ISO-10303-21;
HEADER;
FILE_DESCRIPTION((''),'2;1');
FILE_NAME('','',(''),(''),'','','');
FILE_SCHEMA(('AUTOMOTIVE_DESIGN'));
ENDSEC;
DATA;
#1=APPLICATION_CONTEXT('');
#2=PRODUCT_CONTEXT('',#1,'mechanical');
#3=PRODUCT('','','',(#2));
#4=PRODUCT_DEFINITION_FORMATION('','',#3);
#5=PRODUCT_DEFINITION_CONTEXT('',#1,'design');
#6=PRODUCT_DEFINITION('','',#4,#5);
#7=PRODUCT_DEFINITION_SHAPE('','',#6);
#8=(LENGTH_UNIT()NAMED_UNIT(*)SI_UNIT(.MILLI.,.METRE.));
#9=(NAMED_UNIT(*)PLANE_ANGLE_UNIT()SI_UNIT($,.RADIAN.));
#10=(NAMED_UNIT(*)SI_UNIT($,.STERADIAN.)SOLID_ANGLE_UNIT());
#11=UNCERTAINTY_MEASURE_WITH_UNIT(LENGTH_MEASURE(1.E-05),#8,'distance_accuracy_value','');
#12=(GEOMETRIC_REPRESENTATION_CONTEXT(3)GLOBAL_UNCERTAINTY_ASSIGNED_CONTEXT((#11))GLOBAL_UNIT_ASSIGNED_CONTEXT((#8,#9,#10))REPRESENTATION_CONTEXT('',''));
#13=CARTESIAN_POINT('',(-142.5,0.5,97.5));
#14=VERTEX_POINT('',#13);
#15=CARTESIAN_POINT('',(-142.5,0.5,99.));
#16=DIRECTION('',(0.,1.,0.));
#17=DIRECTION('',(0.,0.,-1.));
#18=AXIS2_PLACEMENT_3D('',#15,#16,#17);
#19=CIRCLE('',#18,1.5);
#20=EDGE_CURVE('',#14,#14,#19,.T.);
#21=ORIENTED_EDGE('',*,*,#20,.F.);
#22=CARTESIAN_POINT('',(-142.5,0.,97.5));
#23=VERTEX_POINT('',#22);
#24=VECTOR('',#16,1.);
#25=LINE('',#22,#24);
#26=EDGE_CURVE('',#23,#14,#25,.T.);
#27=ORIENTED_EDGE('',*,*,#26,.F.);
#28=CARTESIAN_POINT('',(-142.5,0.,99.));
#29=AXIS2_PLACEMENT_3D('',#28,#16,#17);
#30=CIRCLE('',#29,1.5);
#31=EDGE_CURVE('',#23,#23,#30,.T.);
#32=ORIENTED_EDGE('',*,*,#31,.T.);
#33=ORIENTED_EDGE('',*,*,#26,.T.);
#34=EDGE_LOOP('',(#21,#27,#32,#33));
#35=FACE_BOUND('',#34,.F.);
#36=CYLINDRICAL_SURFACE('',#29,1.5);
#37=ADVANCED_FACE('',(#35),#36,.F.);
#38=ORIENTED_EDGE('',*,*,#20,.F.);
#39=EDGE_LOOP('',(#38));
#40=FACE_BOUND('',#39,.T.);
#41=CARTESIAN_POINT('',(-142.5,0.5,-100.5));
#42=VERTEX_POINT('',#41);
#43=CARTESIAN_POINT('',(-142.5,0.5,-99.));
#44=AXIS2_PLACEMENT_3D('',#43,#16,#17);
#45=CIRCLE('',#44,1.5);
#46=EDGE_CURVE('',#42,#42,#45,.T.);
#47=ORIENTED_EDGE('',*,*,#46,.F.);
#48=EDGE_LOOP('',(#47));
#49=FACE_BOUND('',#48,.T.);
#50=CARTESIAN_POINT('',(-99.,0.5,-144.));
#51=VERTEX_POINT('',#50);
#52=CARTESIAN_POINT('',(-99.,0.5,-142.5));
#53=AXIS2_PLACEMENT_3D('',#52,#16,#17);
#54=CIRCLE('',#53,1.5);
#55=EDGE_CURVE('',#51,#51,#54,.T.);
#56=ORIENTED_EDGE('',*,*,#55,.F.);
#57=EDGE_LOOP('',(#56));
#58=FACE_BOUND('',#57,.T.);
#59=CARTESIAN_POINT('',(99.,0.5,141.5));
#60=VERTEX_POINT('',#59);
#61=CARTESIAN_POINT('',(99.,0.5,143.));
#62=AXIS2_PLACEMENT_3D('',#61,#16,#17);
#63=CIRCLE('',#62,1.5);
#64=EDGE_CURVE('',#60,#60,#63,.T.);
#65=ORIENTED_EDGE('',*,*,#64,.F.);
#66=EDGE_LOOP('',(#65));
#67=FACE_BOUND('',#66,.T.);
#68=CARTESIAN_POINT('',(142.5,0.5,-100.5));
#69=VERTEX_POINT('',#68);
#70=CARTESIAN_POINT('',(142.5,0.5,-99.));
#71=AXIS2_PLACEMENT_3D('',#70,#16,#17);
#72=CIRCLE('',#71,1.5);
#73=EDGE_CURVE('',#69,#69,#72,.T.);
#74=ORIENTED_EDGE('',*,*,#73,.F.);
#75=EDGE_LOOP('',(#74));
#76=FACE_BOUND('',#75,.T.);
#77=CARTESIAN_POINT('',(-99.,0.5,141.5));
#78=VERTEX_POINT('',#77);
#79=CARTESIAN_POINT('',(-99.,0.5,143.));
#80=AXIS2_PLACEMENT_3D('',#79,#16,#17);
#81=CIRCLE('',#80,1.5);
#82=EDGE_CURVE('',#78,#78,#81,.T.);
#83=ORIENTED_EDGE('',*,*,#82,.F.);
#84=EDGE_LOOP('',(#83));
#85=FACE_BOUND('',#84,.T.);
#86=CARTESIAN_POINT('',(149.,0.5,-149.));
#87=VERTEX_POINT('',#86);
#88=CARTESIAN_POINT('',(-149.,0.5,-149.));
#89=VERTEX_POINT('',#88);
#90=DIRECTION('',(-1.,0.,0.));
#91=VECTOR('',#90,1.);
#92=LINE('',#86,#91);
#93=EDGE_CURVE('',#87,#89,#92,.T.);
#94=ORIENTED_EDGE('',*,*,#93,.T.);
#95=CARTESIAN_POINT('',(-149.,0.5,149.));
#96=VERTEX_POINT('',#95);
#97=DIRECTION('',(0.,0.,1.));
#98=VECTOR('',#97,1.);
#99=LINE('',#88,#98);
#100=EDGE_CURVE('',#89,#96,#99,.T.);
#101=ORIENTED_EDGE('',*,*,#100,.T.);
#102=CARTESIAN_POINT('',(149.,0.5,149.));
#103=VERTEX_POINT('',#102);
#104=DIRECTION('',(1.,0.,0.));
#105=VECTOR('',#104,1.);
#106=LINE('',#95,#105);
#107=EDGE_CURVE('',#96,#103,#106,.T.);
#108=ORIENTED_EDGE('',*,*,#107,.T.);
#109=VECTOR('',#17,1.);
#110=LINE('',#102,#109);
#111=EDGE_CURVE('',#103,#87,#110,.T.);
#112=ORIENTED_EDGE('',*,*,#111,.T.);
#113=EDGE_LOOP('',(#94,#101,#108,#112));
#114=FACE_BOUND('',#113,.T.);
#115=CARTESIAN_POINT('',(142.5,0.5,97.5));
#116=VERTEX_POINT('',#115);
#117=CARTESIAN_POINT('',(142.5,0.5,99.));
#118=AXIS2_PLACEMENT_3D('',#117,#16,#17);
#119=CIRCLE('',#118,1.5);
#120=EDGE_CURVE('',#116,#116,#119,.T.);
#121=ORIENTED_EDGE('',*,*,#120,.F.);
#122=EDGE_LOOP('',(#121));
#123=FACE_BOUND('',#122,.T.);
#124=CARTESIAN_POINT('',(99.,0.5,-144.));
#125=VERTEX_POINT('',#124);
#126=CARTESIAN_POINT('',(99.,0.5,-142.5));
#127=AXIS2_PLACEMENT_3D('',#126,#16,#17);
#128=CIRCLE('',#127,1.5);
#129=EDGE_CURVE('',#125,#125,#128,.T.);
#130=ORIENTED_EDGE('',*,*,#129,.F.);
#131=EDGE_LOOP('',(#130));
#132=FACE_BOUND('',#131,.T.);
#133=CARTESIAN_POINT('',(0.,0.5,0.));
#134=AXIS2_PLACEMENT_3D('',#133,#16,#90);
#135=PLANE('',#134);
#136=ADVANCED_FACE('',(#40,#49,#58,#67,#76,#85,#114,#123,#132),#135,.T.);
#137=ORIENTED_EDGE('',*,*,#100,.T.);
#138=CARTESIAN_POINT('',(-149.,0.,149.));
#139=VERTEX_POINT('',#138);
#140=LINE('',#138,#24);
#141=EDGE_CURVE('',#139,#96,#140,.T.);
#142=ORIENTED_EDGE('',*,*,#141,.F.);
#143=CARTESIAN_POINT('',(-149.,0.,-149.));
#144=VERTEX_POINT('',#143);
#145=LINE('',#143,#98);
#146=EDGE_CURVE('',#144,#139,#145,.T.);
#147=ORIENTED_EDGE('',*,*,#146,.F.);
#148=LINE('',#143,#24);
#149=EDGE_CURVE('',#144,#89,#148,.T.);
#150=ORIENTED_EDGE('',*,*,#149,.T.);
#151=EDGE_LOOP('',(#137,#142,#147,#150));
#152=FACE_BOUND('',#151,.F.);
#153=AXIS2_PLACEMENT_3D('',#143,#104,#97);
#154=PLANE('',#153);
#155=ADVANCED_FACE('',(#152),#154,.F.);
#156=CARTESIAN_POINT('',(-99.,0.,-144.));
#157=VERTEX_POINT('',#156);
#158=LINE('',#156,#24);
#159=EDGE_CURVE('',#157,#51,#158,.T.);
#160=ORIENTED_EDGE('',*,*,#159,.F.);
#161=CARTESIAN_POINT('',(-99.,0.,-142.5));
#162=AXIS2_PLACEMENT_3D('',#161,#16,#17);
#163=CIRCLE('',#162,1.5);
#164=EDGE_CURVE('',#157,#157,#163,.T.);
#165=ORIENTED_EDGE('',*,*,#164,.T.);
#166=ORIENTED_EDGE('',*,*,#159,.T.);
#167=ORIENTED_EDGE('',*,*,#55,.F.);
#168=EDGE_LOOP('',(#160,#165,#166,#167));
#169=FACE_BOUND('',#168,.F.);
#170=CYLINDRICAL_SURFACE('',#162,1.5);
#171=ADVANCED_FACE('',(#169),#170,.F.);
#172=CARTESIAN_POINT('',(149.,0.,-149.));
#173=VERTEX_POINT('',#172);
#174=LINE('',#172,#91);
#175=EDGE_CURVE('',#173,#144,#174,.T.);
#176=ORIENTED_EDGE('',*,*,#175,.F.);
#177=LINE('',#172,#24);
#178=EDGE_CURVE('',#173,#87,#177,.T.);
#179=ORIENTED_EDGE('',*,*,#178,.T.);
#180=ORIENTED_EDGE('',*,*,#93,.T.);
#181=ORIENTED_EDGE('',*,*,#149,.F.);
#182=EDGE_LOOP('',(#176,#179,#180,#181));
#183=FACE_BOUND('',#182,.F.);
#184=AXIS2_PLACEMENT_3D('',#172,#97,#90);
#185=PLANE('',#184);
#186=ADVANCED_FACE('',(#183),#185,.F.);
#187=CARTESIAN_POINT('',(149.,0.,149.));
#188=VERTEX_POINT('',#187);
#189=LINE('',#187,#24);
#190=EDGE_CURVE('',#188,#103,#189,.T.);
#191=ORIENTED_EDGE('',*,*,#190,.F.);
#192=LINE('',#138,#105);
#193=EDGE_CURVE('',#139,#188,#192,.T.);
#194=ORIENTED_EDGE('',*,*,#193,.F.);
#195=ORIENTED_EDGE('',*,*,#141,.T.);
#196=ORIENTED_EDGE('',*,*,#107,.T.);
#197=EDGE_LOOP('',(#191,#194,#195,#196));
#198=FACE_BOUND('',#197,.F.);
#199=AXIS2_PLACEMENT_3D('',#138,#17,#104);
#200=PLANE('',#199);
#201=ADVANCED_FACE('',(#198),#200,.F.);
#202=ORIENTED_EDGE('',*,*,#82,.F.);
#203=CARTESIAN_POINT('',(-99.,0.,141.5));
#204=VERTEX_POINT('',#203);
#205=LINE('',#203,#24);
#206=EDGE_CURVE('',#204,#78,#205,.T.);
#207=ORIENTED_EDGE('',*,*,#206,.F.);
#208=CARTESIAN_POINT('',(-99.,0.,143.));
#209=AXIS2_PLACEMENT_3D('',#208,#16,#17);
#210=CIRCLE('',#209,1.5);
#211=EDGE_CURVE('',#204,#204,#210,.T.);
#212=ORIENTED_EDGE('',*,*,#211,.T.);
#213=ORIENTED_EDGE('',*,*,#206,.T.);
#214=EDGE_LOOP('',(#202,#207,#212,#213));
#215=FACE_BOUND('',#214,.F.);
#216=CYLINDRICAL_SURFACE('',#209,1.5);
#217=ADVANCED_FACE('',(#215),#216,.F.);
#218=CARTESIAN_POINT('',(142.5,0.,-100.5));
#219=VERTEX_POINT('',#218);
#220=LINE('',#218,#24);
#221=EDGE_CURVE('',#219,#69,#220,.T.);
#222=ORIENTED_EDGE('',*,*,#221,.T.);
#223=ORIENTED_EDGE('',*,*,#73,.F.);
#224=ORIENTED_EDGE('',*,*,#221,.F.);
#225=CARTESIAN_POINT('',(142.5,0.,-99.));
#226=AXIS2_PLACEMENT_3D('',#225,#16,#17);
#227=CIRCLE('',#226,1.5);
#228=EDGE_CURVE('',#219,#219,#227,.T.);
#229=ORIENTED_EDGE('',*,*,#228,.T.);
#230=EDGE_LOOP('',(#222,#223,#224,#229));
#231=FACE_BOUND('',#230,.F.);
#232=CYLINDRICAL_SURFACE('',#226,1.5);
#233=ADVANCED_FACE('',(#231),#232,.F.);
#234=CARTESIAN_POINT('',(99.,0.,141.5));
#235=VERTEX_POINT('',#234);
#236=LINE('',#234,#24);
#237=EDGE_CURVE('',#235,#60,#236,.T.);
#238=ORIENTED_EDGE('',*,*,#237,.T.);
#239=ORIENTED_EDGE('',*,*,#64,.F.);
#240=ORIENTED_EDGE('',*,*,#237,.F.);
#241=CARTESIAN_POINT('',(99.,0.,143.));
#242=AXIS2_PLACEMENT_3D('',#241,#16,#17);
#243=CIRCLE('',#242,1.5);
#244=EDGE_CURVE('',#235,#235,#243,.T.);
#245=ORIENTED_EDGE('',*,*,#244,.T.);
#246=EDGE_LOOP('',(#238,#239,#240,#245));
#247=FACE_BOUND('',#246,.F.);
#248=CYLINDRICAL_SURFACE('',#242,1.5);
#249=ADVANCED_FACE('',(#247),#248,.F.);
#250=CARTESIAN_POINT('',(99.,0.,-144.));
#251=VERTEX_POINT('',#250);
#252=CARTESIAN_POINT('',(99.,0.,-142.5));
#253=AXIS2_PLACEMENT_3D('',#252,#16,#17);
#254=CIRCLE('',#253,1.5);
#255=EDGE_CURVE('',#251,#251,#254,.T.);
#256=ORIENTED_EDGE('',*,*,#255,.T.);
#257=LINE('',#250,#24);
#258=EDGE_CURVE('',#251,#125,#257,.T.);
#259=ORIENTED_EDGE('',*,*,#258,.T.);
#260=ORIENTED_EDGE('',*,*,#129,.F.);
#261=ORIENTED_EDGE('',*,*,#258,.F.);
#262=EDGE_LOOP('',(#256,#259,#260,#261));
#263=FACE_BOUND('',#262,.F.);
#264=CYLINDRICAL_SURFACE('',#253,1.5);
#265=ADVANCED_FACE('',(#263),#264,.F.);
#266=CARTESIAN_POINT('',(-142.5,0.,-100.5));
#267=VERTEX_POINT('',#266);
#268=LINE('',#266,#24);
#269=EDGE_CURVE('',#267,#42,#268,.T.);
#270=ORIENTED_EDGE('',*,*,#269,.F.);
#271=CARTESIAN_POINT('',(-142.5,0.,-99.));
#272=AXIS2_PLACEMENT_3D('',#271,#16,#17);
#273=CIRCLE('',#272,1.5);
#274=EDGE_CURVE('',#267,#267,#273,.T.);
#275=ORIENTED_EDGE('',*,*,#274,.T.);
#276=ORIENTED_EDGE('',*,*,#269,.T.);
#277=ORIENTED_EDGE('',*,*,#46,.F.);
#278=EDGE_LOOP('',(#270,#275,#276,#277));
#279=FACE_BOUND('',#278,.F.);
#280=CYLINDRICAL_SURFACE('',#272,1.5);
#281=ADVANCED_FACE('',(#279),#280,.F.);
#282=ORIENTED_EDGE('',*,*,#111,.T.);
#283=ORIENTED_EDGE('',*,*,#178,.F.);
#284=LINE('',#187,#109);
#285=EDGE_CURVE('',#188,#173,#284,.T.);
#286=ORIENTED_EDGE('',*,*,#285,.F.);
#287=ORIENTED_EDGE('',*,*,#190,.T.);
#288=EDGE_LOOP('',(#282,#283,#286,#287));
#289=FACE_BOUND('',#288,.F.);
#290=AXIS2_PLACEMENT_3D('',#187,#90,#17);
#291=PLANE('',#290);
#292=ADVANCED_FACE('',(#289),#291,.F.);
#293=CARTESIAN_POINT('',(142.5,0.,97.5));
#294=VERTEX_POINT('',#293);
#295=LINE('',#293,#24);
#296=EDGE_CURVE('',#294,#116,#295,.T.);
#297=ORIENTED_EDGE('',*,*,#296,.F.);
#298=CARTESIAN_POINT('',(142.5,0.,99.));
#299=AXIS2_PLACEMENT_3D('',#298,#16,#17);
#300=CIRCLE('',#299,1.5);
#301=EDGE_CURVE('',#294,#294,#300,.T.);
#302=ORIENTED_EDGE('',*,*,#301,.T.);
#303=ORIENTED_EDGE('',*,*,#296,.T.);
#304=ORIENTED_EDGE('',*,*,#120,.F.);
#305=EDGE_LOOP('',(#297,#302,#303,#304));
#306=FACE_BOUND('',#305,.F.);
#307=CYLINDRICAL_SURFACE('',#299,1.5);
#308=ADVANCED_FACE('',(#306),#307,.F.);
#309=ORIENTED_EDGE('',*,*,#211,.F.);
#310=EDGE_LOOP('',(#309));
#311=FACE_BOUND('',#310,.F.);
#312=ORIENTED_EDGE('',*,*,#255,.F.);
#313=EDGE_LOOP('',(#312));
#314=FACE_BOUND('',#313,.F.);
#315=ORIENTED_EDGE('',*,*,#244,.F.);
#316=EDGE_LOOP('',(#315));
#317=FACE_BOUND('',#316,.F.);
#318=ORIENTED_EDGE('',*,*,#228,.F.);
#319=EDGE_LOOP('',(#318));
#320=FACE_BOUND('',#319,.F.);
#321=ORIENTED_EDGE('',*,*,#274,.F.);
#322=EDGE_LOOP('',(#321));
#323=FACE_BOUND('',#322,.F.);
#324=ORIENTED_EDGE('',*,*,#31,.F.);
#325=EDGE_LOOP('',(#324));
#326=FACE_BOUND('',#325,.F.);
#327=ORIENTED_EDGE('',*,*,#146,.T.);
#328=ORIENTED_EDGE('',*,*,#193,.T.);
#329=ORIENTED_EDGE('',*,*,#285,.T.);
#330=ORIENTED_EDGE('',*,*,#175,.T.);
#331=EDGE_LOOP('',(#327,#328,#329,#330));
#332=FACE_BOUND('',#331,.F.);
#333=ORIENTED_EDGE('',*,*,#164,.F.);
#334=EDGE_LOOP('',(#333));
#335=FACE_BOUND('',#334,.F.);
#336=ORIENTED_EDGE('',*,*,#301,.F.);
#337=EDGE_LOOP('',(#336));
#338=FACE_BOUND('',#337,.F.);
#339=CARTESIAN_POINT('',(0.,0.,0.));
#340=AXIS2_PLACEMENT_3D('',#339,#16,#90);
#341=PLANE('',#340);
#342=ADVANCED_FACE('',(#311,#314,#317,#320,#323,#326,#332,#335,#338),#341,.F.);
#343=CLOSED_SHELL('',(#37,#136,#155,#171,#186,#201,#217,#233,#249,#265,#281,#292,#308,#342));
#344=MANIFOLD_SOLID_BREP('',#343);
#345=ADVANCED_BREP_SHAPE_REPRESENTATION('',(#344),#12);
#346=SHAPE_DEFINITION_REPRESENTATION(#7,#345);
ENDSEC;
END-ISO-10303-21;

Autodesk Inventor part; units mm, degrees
ref_plane "YZ Plane" through (0, 0, 0) normal (1, 0, 0) x (0, 1, 0)
ref_plane "XZ Plane" through (0, 0, 0) normal (0, 1, 0) x (-1, 0, 0)
ref_plane "XY Plane" through (0, 0, 0) normal (0, 0, 1) x (1, 0, 0)
sketch "Esboço1" plane through (0, 0, 0) normal (0, 1, 0) x (-1, 0, 0)
  line L0 (-149, -149) -> (149, -149)
  line L1 (149, -149) -> (149, 149)
  line L2 (149, 149) -> (-149, 149)
  line L3 (-149, 149) -> (-149, -149)
  line L4 (-149, -149) -> (149, 149) construction
  line L5 (149, -149) -> (-149, 149) construction
  point P0 (0, 0)
  dimension "d0" = 298
  dimension "d1" = 298
extrude "Placa1" add sketch "Esboço1" along normal blind 0.5
sketch "Esboço2" plane through (0, 0, 0) normal (0, -1, 0) x (1, 0, 0)
  line L0 (-149, 149) -> (149, 149) projected
  line L1 (149, -149) -> (-149, -149) projected
  line L2 (-149, -149) -> (-149, 149) projected
  line L3 (149, 149) -> (149, -149) projected
  point P0 (0, 0)
  point P1 (-99, 143)
  point P2 (99, 143)
  point P3 (142.5, 99)
  point P4 (142.5, -99)
  point P5 (99, -142.5)
  point P6 (-99, -142.5)
  point P7 (-142.5, -99)
  point P8 (-142.5, 99)
  dimension "d3" = 50
  dimension "d4" = 50
  dimension "d5" = 50
  dimension "d6" = 50
  dimension "d7" = 50
  dimension "d8" = 50
  dimension "d9" = 50
  dimension "d10" = 50
  dimension "d11" = 6
  dimension "d12" = 6
  dimension "d13" = 6.5
  dimension "d14" = 6.5
  dimension "d15" = 6.5
  dimension "d16" = 6.5
  dimension "d17" = 6.5
  dimension "d18" = 6.5
hole "Furo1" at (-99, 0, 143) at (99, 0, 143) at (142.5, 0, 99) at (142.5, 0, -99) at (99, 0, -142.5) at (-99, 0, -142.5) at (-142.5, 0, -99) at (-142.5, 0, 99) direction (0, 1, 0) diameter 3 end through all
equation "\"d1\" = d0"
equation "\"d24\" = Espessura"
equation "\"d2\" = Espessura"
equation "\"Raio_vergadura\" = Espessura"
equation "\"Largura_alívio_de_vergadura\" = Espessura"
equation "\"Profundidade_alívio_de_vergadura\" = 0.5 * Espessura"
equation "\"Tamanho_alívio_de_dobra\" = 4 * Espessura"
equation "\"Remanescente_mínimo\" = 2 * Espessura"
equation "\"Raiodetransição\" = Raio_vergadura"
equation "\"Tamanho_de_raio_de_Jacobi\" = Raio_vergadura"
equation "\"TamanhoFolga\" = Espessura"
equation "\"Espessura\" = 0.5"
properties part number "Fundo Gaveta" material "PMMA plástico"
